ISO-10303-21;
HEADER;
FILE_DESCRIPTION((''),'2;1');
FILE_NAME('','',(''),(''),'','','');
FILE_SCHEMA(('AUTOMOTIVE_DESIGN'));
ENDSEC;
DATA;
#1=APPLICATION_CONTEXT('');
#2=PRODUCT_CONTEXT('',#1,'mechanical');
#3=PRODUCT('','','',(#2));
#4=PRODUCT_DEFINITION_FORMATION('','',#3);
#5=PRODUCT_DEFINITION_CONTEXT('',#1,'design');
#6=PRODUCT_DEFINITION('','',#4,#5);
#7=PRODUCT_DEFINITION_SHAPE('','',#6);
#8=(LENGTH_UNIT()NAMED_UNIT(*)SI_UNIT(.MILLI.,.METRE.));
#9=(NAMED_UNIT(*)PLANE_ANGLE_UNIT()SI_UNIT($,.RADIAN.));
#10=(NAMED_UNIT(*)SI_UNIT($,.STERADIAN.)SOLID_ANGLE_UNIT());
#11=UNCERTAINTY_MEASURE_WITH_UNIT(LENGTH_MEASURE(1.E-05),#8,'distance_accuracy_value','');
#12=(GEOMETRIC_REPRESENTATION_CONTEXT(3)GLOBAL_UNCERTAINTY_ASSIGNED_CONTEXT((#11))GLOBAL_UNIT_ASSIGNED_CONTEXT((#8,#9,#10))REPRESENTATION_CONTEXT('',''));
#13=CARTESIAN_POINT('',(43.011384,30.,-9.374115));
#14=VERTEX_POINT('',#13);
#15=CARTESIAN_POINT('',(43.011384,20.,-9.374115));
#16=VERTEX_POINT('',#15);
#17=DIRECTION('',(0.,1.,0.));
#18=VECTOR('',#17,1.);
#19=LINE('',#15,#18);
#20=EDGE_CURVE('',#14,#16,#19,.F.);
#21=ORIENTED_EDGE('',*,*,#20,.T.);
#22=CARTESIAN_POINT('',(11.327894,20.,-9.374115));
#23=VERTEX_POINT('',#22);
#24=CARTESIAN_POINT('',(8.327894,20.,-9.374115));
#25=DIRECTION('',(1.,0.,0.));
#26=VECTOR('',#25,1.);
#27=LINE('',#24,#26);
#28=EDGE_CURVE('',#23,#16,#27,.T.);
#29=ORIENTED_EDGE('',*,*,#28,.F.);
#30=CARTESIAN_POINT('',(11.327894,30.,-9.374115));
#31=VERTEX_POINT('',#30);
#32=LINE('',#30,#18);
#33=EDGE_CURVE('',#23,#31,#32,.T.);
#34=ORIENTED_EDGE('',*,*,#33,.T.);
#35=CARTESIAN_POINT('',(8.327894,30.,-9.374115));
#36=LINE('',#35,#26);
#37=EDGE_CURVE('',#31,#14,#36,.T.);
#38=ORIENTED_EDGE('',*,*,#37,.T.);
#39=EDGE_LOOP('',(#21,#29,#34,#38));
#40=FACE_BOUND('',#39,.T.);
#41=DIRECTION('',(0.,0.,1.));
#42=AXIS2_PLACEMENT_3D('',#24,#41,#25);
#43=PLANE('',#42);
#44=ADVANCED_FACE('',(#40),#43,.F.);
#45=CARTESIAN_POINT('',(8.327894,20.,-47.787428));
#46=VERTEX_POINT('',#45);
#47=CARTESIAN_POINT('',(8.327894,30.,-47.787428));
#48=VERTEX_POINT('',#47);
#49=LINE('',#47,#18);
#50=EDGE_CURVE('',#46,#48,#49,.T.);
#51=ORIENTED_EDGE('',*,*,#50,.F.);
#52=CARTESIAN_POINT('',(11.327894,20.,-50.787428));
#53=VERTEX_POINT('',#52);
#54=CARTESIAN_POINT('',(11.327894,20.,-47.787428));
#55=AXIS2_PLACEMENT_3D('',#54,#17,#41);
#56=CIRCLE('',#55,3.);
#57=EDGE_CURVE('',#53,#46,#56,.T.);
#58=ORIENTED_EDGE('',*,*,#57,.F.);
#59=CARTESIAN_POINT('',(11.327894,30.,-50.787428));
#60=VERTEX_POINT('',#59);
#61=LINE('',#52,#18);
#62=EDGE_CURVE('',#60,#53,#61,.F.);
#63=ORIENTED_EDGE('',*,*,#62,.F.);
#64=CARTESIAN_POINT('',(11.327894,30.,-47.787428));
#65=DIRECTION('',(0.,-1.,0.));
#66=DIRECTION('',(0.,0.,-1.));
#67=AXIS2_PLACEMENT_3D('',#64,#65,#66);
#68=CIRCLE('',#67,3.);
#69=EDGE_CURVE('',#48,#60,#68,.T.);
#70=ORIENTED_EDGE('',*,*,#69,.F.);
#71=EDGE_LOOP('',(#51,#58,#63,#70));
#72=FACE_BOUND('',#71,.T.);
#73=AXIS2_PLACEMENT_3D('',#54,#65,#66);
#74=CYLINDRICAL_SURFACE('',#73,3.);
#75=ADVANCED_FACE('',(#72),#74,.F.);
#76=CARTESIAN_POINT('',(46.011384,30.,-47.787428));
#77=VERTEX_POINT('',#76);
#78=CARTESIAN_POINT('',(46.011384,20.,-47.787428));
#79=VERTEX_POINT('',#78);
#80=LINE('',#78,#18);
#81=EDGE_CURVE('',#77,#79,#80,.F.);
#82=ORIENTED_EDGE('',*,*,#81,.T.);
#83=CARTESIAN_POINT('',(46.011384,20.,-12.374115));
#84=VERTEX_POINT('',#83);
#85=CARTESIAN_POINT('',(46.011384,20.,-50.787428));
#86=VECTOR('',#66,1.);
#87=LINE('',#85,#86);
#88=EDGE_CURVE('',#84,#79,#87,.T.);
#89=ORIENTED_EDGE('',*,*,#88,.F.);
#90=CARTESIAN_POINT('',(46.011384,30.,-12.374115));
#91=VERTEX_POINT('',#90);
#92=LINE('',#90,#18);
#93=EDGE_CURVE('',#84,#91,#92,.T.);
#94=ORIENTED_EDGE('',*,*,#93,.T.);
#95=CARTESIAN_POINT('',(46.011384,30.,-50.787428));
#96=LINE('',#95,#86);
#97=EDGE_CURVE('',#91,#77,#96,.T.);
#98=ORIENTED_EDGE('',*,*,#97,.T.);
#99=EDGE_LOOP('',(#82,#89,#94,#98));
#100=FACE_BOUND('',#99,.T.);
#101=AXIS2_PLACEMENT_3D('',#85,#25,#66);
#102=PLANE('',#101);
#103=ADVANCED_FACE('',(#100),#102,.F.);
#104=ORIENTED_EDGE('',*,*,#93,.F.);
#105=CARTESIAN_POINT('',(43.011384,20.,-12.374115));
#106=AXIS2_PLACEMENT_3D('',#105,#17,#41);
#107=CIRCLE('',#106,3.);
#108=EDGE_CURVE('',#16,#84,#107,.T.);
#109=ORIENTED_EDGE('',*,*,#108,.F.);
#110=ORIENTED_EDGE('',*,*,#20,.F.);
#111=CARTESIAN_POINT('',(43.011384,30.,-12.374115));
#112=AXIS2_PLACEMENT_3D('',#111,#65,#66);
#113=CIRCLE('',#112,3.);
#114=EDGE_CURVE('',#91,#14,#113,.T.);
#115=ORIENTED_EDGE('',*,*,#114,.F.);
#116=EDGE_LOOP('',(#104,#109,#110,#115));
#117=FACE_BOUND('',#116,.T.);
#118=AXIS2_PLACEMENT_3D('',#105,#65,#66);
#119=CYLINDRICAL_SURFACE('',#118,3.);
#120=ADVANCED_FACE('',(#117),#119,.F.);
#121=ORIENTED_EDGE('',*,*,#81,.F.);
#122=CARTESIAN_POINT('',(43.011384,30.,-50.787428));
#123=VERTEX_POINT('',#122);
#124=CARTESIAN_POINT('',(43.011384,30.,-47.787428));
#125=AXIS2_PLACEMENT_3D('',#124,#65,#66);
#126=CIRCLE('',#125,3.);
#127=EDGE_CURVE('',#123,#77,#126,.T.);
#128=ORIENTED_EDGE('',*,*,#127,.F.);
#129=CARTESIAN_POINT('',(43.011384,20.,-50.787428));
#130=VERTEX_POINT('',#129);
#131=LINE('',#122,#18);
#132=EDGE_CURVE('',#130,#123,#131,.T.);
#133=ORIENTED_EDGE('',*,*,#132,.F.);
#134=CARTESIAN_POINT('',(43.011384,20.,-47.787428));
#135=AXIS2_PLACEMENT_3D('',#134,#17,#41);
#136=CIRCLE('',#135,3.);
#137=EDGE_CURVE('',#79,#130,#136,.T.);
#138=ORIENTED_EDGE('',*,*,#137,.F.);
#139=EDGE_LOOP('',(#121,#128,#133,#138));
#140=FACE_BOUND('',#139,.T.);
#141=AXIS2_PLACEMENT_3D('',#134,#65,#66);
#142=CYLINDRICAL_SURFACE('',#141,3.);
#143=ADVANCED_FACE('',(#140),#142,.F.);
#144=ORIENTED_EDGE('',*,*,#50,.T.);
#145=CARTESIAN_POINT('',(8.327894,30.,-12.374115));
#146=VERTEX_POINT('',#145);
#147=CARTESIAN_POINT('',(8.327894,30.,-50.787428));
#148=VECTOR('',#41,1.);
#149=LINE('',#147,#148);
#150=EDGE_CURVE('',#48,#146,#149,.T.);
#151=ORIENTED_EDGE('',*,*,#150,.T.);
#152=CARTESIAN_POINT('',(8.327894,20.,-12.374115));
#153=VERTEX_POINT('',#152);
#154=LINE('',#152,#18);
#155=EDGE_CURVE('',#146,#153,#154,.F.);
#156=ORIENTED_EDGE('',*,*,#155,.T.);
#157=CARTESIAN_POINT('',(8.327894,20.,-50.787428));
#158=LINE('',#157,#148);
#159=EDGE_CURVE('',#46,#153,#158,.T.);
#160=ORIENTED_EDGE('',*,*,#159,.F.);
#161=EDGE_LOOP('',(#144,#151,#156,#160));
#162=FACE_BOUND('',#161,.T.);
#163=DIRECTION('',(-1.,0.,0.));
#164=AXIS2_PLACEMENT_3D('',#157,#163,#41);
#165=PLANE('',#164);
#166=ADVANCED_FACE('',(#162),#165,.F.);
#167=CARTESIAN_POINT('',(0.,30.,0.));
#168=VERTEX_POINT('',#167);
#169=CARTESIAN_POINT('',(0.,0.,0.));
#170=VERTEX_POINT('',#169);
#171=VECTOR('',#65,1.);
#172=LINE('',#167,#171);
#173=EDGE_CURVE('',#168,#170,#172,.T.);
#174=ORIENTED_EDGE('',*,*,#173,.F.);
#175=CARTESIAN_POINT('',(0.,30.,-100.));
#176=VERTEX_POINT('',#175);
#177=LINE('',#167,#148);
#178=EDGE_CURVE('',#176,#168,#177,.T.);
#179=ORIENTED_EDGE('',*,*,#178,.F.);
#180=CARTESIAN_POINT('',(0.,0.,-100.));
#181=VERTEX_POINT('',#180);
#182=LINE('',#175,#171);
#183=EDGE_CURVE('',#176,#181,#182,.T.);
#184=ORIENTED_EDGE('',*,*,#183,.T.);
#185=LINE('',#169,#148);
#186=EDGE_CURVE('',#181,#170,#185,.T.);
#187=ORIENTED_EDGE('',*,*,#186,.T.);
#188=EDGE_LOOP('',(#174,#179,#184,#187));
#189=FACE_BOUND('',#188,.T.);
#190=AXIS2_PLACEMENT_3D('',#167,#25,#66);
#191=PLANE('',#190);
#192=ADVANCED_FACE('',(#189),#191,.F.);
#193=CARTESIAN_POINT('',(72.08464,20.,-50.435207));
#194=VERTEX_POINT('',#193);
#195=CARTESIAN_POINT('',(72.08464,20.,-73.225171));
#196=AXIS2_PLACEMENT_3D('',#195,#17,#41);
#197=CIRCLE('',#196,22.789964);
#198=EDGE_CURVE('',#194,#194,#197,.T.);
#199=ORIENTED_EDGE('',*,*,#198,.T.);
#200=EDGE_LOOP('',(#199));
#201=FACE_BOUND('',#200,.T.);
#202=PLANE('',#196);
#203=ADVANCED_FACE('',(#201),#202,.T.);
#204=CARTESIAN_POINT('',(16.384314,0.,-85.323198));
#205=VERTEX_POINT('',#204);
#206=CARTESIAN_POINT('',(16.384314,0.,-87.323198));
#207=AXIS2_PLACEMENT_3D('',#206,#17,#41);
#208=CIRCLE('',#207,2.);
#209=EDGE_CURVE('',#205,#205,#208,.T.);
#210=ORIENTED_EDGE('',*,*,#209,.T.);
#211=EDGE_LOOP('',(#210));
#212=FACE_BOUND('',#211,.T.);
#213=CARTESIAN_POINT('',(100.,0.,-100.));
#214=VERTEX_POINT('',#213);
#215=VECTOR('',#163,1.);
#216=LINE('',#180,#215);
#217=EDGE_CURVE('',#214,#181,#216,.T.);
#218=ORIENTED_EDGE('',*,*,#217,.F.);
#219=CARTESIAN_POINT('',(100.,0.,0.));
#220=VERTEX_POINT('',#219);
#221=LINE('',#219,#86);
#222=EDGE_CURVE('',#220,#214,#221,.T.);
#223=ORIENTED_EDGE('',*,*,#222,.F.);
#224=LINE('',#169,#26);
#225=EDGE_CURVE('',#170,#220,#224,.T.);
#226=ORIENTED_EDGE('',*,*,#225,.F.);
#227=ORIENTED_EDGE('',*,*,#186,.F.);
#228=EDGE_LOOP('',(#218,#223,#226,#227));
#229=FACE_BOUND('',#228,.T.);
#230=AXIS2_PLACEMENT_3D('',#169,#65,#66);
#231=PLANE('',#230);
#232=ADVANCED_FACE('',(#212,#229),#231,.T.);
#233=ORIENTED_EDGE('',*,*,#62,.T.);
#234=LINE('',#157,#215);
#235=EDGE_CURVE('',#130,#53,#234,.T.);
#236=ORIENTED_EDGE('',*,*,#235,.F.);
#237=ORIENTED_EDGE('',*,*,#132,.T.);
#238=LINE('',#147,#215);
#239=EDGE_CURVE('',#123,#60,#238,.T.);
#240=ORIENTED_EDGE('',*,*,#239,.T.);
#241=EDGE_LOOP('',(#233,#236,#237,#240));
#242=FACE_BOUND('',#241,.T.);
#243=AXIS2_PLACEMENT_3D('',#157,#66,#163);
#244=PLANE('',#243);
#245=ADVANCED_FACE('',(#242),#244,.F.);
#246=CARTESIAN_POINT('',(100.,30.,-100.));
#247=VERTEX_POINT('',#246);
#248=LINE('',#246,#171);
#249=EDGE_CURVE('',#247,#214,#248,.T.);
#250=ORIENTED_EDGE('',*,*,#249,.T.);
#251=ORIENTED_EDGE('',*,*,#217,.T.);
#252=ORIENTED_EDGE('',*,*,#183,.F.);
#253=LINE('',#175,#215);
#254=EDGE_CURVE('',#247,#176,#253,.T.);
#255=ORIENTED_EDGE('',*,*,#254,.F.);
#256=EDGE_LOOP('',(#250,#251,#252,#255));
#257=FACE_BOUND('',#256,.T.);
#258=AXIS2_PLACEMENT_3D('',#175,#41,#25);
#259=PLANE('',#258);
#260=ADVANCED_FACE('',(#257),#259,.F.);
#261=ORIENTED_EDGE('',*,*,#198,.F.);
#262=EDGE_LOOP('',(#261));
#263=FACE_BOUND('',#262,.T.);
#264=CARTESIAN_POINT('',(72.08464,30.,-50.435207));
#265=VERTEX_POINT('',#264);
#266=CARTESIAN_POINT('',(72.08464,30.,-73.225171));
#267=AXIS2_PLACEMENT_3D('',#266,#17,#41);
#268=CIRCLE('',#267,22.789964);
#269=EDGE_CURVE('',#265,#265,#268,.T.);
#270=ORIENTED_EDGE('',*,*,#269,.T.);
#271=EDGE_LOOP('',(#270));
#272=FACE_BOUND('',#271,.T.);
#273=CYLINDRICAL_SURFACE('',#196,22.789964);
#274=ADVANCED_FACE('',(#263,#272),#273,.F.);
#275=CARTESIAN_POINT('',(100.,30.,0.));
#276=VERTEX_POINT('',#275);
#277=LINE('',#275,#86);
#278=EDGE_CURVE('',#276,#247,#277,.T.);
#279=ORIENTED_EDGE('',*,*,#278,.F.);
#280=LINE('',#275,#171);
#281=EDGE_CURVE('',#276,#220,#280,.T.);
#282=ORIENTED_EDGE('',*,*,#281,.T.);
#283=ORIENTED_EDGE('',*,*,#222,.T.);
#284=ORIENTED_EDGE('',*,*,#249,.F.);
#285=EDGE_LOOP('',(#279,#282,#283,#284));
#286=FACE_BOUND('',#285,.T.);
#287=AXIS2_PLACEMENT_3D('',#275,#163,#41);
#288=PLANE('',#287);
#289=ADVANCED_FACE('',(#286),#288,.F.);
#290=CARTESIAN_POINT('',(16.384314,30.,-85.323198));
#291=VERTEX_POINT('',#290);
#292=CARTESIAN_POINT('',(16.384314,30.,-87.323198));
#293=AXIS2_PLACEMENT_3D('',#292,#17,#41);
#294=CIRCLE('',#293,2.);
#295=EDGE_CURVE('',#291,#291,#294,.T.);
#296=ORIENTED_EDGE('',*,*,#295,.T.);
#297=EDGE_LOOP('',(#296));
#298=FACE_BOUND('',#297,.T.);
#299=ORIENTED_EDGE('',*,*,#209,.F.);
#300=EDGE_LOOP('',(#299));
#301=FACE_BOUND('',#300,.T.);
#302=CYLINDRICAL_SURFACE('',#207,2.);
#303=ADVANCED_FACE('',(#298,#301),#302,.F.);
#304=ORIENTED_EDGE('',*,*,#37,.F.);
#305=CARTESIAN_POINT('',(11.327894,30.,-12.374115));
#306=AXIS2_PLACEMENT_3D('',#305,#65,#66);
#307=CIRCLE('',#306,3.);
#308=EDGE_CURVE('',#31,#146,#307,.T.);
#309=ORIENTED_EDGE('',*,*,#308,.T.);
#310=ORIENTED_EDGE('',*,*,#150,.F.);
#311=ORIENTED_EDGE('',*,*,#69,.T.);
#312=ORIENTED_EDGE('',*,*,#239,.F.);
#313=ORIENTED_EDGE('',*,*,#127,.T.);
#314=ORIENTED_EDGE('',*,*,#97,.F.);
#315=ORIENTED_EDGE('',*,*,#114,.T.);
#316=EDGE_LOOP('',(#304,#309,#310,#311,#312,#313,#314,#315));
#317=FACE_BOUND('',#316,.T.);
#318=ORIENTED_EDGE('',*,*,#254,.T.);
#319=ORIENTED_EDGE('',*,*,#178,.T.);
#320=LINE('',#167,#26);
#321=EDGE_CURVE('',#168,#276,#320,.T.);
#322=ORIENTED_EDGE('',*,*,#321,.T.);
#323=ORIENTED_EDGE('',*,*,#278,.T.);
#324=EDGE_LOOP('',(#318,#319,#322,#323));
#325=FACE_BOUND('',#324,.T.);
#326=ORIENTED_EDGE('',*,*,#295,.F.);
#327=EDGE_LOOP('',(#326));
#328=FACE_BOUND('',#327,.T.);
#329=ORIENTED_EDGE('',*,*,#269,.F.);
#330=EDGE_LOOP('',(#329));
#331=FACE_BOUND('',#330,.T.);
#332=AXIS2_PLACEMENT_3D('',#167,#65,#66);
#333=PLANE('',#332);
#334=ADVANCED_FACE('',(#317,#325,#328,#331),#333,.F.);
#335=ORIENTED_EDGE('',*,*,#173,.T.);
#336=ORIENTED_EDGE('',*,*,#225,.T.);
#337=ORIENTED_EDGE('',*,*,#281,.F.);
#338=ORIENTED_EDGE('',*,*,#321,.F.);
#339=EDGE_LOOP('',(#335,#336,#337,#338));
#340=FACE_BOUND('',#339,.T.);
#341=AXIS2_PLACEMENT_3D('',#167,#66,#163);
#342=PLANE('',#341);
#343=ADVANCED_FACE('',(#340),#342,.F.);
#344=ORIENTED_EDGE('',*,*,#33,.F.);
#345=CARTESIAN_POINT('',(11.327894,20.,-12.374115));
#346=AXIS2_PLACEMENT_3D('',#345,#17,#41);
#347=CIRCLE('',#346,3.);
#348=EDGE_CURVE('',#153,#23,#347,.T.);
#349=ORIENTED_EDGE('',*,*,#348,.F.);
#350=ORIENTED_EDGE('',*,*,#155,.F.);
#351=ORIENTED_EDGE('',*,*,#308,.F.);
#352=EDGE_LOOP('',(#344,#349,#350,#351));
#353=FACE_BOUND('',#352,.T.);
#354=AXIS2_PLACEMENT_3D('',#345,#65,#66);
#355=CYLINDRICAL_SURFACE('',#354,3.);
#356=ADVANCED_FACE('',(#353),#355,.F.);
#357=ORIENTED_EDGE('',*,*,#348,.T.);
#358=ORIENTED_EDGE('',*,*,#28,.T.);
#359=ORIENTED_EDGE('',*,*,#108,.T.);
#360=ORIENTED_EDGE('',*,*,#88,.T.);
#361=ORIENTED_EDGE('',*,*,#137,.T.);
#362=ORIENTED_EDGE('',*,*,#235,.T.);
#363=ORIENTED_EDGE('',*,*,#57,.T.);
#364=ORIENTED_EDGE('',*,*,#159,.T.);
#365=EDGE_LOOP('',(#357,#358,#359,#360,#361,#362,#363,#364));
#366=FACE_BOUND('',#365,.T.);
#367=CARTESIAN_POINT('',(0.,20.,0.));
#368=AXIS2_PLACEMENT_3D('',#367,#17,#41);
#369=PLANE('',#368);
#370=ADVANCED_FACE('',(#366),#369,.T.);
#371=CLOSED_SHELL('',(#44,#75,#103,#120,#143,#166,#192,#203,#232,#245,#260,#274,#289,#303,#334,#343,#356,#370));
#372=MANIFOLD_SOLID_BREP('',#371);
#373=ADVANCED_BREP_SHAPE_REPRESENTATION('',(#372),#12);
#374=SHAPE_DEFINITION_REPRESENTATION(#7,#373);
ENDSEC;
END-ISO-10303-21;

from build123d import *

# Parameters (mm, degrees)
SKETCH1_W           = 100
SKETCH1_H           = 100
BOSS_EXTRUDE1_DEPTH = 30
SKETCH5_R           = 2
CUT_EXTRUDE1_DEPTH  = 31
SKETCH7_R           = 22.78996388
SKETCH7_W           = 37.683489423
SKETCH7_H           = 41.413312703
CUT_EXTRUDE2_DEPTH  = 10
FILLET1_R           = 3


with BuildPart() as part:
    # Sketch1 → Boss-Extrude1 (new body)
    with BuildSketch(Plane(origin=(0, 0, 0), x_dir=(1, 0, 0), z_dir=(0, 1, 0))):
        with Locations((50, 50)):
            Rectangle(SKETCH1_W, SKETCH1_H)
    extrude(amount=BOSS_EXTRUDE1_DEPTH)

    # Sketch5 → Cut-Extrude1 (cut, through all)
    with BuildSketch(Plane(origin=(0, 30, 0), x_dir=(1, 0, 0), z_dir=(0, 1, 0))):
        with Locations((16.384313545, 87.323198024)):
            Circle(SKETCH5_R)
    extrude(amount=-CUT_EXTRUDE1_DEPTH, mode=Mode.SUBTRACT)

    # Sketch7 → Cut-Extrude2 (cut)
    with BuildSketch(Plane(origin=(0, 30, 0), x_dir=(1, 0, 0), z_dir=(0, 1, 0))):
        with Locations((72.084640228, 73.225170758)):
            Circle(SKETCH7_R)
        with Locations((27.16963915, 30.080771209)):
            Rectangle(SKETCH7_W, SKETCH7_H)
    extrude(amount=-CUT_EXTRUDE2_DEPTH, mode=Mode.SUBTRACT)

    # Fillet1
    fillet1_edges = [part.edges().sort_by_distance(p)[0] for p in [
        (8.327894438, 25, -9.374114858),
        (8.327894438, 25, -50.787427561),
        (46.011383861, 25, -50.787427561),
        (46.011383861, 25, -9.374114858),
    ]]
    fillet(fillet1_edges, radius=FILLET1_R)


solid = part.part
